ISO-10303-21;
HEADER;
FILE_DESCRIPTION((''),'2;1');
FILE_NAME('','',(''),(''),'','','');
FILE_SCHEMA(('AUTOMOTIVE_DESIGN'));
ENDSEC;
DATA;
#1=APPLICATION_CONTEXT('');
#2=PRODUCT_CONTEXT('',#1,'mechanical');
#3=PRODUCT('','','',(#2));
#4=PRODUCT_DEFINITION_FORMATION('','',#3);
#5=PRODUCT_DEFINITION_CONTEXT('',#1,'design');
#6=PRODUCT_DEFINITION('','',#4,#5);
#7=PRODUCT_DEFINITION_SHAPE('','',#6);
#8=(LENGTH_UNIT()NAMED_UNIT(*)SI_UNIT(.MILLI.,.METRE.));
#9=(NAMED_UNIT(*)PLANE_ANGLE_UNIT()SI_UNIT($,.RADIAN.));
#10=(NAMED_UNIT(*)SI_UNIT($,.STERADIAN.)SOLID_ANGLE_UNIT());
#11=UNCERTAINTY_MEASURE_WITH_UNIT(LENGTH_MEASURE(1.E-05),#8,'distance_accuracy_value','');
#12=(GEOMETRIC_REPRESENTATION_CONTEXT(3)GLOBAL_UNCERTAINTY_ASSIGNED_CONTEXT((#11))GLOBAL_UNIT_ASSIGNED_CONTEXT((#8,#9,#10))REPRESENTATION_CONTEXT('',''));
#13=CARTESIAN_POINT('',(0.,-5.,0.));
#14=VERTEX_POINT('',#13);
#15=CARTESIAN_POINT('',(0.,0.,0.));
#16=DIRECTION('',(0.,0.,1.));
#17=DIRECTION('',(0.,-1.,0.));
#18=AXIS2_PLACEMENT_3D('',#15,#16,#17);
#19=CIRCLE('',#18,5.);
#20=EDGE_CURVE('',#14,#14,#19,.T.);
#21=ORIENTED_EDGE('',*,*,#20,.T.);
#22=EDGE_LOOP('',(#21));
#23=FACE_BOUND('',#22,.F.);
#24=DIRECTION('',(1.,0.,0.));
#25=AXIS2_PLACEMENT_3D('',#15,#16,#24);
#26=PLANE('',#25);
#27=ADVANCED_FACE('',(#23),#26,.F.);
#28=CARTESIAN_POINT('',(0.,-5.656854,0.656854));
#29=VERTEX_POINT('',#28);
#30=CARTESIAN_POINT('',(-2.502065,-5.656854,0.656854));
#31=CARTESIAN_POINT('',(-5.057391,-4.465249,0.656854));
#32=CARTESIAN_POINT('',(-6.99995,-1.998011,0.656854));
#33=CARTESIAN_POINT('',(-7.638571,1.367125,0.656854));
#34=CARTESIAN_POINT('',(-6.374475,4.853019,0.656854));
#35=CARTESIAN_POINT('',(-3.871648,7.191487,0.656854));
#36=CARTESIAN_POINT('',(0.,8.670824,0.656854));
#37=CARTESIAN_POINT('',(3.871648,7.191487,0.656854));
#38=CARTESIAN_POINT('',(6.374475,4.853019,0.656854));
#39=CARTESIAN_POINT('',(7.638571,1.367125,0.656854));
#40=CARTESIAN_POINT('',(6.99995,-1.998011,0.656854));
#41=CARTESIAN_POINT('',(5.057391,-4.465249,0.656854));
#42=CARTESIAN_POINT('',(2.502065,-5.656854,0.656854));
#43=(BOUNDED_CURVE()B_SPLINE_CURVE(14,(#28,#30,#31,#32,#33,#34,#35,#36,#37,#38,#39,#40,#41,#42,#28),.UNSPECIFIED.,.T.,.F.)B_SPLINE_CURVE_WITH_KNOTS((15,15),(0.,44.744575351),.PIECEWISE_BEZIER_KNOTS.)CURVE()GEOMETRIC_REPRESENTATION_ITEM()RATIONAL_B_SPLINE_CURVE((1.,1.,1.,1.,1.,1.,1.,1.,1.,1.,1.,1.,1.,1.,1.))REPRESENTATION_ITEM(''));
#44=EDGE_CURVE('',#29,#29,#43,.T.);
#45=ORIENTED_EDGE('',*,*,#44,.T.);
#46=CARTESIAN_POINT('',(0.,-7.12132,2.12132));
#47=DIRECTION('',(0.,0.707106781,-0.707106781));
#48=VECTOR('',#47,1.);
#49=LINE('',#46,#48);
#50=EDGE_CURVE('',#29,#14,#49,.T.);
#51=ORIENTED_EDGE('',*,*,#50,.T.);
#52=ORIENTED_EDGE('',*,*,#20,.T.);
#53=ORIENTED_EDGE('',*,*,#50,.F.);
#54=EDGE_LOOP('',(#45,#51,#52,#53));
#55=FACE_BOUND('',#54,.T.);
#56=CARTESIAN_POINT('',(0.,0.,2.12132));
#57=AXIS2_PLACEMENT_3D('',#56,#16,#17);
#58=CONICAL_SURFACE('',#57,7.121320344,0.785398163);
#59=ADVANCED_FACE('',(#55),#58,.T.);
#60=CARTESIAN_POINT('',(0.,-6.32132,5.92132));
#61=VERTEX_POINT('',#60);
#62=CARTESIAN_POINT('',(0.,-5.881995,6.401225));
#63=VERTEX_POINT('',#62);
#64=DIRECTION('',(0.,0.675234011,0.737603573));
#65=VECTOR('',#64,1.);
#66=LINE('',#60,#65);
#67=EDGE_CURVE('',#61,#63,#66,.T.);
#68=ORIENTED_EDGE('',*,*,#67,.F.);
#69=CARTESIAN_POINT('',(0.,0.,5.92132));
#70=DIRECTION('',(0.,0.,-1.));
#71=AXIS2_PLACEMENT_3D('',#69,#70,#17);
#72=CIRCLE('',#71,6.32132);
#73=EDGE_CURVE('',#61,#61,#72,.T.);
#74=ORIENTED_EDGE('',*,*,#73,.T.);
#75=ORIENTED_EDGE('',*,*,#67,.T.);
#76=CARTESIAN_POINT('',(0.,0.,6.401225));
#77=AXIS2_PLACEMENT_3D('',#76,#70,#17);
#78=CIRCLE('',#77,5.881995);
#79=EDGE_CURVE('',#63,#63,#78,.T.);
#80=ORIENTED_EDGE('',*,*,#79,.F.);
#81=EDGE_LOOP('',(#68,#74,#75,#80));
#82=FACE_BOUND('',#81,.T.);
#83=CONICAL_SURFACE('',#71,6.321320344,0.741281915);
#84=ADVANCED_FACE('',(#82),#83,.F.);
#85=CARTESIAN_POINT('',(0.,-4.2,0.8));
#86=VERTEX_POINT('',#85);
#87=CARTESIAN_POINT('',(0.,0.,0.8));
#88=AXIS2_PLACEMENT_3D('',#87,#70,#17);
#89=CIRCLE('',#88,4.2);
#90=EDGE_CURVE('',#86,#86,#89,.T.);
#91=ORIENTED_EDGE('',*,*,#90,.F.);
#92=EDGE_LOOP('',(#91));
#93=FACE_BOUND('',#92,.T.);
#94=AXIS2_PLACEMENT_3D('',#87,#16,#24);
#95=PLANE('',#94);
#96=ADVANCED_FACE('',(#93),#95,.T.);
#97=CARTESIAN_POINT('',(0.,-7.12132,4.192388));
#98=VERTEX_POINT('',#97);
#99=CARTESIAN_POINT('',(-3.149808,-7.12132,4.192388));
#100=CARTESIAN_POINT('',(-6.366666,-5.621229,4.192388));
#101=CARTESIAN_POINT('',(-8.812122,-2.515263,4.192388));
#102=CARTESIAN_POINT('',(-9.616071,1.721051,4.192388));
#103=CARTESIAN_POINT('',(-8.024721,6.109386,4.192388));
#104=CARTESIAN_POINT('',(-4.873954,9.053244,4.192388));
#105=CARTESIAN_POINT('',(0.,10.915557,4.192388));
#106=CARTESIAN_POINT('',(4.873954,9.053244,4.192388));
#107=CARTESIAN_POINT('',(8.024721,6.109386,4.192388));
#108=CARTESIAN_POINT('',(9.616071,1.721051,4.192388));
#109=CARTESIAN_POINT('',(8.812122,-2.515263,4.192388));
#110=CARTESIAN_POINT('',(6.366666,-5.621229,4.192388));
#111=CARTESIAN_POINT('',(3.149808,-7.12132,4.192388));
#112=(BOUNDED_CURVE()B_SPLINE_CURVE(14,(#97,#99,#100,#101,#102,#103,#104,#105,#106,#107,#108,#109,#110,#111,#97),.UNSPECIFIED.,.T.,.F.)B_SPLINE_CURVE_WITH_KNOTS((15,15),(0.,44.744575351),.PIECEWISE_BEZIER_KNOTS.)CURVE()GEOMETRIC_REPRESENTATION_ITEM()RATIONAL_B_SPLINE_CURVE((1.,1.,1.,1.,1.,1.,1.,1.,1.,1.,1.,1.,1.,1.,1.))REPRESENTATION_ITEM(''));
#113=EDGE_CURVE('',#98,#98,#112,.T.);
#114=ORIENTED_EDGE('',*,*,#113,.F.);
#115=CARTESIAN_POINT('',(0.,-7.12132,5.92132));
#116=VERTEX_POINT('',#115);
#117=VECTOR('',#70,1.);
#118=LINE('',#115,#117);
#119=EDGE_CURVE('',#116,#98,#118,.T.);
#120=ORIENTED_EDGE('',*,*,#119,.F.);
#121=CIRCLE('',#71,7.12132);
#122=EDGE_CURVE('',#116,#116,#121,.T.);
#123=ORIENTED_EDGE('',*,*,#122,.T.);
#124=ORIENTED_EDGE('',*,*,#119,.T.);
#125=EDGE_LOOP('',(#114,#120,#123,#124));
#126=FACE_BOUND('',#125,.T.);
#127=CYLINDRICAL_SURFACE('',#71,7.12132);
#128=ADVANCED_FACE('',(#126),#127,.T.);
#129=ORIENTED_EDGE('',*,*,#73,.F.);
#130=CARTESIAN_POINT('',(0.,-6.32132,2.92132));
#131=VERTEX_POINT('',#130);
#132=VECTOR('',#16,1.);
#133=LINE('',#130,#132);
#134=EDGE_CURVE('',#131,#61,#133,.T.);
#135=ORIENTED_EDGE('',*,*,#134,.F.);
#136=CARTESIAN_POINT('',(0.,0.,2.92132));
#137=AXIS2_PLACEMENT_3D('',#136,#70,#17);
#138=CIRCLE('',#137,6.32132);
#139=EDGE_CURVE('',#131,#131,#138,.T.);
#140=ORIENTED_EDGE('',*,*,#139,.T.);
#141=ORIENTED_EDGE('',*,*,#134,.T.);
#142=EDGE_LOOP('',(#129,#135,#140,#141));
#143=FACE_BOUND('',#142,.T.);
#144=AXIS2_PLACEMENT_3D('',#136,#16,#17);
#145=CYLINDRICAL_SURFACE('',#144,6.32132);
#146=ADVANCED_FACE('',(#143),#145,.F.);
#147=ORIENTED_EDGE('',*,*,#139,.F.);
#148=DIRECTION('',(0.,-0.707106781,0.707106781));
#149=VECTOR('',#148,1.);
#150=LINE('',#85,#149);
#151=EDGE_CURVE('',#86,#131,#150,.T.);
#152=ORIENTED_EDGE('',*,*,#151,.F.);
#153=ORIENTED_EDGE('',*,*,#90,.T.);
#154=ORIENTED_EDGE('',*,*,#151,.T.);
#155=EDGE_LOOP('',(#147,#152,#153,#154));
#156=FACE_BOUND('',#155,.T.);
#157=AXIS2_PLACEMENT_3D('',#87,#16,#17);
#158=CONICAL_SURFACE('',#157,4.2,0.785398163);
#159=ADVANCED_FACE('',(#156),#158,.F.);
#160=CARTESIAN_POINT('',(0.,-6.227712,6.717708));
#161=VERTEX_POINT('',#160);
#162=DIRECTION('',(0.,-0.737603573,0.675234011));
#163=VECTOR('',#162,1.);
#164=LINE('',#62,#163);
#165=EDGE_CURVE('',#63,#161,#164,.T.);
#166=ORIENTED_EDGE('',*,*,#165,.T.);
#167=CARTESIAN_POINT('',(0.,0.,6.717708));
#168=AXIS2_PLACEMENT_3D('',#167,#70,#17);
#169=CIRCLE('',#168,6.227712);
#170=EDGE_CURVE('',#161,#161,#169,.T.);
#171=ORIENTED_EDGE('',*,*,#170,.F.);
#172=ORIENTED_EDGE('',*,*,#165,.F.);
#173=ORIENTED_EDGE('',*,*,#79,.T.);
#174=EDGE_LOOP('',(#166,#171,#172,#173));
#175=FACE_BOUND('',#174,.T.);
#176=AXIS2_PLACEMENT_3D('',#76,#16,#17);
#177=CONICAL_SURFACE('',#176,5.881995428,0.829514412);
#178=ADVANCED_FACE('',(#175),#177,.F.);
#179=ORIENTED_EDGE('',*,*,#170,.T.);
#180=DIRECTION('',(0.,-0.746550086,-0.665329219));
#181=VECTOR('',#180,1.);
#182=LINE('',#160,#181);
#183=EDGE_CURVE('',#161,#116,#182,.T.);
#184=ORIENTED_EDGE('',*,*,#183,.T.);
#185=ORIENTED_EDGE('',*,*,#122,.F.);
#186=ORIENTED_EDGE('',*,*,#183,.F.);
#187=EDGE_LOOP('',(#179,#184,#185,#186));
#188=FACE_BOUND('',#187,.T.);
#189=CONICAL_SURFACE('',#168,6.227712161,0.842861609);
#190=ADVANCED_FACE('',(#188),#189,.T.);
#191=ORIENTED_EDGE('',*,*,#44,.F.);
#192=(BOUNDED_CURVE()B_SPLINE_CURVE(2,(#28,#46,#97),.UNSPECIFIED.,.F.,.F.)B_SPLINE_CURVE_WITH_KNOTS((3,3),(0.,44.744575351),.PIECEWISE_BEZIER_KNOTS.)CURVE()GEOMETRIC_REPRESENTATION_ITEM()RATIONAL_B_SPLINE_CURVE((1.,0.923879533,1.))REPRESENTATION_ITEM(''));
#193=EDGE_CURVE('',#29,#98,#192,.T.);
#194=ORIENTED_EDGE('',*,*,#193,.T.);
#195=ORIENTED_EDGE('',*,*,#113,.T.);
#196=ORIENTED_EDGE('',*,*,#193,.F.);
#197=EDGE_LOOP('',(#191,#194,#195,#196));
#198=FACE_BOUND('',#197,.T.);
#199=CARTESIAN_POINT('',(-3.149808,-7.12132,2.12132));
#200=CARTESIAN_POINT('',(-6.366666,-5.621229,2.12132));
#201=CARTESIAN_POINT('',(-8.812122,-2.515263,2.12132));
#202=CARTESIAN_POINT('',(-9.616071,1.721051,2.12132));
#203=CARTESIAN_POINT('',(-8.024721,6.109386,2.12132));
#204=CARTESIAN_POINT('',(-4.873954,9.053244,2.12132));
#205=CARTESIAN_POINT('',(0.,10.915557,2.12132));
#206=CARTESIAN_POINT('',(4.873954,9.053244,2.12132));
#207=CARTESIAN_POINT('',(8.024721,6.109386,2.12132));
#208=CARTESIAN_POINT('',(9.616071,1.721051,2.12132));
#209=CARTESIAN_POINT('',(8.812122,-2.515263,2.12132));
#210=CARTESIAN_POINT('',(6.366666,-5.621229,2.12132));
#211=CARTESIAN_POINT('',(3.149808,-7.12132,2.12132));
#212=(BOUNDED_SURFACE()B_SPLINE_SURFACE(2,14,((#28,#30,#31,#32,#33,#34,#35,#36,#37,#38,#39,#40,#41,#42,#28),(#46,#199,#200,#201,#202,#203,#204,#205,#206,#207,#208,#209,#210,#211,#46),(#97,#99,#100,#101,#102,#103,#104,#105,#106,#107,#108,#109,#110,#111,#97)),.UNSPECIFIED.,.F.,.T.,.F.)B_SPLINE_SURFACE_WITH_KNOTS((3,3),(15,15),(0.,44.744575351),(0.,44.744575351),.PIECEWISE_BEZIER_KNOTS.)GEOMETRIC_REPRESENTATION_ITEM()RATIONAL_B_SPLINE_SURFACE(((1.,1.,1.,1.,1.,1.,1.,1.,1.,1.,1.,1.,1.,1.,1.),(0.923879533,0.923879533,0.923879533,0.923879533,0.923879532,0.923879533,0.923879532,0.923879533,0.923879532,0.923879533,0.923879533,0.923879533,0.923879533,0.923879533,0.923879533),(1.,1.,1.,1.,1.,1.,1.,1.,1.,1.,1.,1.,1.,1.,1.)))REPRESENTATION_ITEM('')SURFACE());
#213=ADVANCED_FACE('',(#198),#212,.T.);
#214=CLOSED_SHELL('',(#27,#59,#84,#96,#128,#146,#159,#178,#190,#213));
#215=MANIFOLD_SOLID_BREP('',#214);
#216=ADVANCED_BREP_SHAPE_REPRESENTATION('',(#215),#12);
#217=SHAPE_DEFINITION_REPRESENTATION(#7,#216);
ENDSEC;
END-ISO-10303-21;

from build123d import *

# Parameters (mm, degrees)
F0_R     = 5
F1_DEPTH = 0.8
F1_TAPER = 45
F4_R     = 5


with BuildPart() as f1:
    # F0 (on Top) → F1 (new body)
    with BuildSketch(Plane.XY):
        Circle(F0_R)
    extrude(amount=F1_DEPTH, taper=F1_TAPER)

    # F2 (on Right) → F3 (revolve)
    with BuildSketch(Plane.YZ):
        Polygon((-7.1213203436, 2.1213203436), (-5, 0), (-4.2, 0.8), (-6.3213203436, 2.9213203436), (-6.3213203436, 5.9213203436), (-5.8819954284, 6.4012245275), (-6.227712161, 6.7177084827), (-7.1213203436, 5.9213203436), align=None)
    revolve(axis=Axis((0, 0, 0.8), (0, 0, -1)))

    # F4
    f4_edges = [f1.edges().sort_by_distance(p)[0] for p in [
        (0, 7.12132, 2.12132),
    ]]
    fillet(f4_edges, radius=F4_R)


solid = f1.part
